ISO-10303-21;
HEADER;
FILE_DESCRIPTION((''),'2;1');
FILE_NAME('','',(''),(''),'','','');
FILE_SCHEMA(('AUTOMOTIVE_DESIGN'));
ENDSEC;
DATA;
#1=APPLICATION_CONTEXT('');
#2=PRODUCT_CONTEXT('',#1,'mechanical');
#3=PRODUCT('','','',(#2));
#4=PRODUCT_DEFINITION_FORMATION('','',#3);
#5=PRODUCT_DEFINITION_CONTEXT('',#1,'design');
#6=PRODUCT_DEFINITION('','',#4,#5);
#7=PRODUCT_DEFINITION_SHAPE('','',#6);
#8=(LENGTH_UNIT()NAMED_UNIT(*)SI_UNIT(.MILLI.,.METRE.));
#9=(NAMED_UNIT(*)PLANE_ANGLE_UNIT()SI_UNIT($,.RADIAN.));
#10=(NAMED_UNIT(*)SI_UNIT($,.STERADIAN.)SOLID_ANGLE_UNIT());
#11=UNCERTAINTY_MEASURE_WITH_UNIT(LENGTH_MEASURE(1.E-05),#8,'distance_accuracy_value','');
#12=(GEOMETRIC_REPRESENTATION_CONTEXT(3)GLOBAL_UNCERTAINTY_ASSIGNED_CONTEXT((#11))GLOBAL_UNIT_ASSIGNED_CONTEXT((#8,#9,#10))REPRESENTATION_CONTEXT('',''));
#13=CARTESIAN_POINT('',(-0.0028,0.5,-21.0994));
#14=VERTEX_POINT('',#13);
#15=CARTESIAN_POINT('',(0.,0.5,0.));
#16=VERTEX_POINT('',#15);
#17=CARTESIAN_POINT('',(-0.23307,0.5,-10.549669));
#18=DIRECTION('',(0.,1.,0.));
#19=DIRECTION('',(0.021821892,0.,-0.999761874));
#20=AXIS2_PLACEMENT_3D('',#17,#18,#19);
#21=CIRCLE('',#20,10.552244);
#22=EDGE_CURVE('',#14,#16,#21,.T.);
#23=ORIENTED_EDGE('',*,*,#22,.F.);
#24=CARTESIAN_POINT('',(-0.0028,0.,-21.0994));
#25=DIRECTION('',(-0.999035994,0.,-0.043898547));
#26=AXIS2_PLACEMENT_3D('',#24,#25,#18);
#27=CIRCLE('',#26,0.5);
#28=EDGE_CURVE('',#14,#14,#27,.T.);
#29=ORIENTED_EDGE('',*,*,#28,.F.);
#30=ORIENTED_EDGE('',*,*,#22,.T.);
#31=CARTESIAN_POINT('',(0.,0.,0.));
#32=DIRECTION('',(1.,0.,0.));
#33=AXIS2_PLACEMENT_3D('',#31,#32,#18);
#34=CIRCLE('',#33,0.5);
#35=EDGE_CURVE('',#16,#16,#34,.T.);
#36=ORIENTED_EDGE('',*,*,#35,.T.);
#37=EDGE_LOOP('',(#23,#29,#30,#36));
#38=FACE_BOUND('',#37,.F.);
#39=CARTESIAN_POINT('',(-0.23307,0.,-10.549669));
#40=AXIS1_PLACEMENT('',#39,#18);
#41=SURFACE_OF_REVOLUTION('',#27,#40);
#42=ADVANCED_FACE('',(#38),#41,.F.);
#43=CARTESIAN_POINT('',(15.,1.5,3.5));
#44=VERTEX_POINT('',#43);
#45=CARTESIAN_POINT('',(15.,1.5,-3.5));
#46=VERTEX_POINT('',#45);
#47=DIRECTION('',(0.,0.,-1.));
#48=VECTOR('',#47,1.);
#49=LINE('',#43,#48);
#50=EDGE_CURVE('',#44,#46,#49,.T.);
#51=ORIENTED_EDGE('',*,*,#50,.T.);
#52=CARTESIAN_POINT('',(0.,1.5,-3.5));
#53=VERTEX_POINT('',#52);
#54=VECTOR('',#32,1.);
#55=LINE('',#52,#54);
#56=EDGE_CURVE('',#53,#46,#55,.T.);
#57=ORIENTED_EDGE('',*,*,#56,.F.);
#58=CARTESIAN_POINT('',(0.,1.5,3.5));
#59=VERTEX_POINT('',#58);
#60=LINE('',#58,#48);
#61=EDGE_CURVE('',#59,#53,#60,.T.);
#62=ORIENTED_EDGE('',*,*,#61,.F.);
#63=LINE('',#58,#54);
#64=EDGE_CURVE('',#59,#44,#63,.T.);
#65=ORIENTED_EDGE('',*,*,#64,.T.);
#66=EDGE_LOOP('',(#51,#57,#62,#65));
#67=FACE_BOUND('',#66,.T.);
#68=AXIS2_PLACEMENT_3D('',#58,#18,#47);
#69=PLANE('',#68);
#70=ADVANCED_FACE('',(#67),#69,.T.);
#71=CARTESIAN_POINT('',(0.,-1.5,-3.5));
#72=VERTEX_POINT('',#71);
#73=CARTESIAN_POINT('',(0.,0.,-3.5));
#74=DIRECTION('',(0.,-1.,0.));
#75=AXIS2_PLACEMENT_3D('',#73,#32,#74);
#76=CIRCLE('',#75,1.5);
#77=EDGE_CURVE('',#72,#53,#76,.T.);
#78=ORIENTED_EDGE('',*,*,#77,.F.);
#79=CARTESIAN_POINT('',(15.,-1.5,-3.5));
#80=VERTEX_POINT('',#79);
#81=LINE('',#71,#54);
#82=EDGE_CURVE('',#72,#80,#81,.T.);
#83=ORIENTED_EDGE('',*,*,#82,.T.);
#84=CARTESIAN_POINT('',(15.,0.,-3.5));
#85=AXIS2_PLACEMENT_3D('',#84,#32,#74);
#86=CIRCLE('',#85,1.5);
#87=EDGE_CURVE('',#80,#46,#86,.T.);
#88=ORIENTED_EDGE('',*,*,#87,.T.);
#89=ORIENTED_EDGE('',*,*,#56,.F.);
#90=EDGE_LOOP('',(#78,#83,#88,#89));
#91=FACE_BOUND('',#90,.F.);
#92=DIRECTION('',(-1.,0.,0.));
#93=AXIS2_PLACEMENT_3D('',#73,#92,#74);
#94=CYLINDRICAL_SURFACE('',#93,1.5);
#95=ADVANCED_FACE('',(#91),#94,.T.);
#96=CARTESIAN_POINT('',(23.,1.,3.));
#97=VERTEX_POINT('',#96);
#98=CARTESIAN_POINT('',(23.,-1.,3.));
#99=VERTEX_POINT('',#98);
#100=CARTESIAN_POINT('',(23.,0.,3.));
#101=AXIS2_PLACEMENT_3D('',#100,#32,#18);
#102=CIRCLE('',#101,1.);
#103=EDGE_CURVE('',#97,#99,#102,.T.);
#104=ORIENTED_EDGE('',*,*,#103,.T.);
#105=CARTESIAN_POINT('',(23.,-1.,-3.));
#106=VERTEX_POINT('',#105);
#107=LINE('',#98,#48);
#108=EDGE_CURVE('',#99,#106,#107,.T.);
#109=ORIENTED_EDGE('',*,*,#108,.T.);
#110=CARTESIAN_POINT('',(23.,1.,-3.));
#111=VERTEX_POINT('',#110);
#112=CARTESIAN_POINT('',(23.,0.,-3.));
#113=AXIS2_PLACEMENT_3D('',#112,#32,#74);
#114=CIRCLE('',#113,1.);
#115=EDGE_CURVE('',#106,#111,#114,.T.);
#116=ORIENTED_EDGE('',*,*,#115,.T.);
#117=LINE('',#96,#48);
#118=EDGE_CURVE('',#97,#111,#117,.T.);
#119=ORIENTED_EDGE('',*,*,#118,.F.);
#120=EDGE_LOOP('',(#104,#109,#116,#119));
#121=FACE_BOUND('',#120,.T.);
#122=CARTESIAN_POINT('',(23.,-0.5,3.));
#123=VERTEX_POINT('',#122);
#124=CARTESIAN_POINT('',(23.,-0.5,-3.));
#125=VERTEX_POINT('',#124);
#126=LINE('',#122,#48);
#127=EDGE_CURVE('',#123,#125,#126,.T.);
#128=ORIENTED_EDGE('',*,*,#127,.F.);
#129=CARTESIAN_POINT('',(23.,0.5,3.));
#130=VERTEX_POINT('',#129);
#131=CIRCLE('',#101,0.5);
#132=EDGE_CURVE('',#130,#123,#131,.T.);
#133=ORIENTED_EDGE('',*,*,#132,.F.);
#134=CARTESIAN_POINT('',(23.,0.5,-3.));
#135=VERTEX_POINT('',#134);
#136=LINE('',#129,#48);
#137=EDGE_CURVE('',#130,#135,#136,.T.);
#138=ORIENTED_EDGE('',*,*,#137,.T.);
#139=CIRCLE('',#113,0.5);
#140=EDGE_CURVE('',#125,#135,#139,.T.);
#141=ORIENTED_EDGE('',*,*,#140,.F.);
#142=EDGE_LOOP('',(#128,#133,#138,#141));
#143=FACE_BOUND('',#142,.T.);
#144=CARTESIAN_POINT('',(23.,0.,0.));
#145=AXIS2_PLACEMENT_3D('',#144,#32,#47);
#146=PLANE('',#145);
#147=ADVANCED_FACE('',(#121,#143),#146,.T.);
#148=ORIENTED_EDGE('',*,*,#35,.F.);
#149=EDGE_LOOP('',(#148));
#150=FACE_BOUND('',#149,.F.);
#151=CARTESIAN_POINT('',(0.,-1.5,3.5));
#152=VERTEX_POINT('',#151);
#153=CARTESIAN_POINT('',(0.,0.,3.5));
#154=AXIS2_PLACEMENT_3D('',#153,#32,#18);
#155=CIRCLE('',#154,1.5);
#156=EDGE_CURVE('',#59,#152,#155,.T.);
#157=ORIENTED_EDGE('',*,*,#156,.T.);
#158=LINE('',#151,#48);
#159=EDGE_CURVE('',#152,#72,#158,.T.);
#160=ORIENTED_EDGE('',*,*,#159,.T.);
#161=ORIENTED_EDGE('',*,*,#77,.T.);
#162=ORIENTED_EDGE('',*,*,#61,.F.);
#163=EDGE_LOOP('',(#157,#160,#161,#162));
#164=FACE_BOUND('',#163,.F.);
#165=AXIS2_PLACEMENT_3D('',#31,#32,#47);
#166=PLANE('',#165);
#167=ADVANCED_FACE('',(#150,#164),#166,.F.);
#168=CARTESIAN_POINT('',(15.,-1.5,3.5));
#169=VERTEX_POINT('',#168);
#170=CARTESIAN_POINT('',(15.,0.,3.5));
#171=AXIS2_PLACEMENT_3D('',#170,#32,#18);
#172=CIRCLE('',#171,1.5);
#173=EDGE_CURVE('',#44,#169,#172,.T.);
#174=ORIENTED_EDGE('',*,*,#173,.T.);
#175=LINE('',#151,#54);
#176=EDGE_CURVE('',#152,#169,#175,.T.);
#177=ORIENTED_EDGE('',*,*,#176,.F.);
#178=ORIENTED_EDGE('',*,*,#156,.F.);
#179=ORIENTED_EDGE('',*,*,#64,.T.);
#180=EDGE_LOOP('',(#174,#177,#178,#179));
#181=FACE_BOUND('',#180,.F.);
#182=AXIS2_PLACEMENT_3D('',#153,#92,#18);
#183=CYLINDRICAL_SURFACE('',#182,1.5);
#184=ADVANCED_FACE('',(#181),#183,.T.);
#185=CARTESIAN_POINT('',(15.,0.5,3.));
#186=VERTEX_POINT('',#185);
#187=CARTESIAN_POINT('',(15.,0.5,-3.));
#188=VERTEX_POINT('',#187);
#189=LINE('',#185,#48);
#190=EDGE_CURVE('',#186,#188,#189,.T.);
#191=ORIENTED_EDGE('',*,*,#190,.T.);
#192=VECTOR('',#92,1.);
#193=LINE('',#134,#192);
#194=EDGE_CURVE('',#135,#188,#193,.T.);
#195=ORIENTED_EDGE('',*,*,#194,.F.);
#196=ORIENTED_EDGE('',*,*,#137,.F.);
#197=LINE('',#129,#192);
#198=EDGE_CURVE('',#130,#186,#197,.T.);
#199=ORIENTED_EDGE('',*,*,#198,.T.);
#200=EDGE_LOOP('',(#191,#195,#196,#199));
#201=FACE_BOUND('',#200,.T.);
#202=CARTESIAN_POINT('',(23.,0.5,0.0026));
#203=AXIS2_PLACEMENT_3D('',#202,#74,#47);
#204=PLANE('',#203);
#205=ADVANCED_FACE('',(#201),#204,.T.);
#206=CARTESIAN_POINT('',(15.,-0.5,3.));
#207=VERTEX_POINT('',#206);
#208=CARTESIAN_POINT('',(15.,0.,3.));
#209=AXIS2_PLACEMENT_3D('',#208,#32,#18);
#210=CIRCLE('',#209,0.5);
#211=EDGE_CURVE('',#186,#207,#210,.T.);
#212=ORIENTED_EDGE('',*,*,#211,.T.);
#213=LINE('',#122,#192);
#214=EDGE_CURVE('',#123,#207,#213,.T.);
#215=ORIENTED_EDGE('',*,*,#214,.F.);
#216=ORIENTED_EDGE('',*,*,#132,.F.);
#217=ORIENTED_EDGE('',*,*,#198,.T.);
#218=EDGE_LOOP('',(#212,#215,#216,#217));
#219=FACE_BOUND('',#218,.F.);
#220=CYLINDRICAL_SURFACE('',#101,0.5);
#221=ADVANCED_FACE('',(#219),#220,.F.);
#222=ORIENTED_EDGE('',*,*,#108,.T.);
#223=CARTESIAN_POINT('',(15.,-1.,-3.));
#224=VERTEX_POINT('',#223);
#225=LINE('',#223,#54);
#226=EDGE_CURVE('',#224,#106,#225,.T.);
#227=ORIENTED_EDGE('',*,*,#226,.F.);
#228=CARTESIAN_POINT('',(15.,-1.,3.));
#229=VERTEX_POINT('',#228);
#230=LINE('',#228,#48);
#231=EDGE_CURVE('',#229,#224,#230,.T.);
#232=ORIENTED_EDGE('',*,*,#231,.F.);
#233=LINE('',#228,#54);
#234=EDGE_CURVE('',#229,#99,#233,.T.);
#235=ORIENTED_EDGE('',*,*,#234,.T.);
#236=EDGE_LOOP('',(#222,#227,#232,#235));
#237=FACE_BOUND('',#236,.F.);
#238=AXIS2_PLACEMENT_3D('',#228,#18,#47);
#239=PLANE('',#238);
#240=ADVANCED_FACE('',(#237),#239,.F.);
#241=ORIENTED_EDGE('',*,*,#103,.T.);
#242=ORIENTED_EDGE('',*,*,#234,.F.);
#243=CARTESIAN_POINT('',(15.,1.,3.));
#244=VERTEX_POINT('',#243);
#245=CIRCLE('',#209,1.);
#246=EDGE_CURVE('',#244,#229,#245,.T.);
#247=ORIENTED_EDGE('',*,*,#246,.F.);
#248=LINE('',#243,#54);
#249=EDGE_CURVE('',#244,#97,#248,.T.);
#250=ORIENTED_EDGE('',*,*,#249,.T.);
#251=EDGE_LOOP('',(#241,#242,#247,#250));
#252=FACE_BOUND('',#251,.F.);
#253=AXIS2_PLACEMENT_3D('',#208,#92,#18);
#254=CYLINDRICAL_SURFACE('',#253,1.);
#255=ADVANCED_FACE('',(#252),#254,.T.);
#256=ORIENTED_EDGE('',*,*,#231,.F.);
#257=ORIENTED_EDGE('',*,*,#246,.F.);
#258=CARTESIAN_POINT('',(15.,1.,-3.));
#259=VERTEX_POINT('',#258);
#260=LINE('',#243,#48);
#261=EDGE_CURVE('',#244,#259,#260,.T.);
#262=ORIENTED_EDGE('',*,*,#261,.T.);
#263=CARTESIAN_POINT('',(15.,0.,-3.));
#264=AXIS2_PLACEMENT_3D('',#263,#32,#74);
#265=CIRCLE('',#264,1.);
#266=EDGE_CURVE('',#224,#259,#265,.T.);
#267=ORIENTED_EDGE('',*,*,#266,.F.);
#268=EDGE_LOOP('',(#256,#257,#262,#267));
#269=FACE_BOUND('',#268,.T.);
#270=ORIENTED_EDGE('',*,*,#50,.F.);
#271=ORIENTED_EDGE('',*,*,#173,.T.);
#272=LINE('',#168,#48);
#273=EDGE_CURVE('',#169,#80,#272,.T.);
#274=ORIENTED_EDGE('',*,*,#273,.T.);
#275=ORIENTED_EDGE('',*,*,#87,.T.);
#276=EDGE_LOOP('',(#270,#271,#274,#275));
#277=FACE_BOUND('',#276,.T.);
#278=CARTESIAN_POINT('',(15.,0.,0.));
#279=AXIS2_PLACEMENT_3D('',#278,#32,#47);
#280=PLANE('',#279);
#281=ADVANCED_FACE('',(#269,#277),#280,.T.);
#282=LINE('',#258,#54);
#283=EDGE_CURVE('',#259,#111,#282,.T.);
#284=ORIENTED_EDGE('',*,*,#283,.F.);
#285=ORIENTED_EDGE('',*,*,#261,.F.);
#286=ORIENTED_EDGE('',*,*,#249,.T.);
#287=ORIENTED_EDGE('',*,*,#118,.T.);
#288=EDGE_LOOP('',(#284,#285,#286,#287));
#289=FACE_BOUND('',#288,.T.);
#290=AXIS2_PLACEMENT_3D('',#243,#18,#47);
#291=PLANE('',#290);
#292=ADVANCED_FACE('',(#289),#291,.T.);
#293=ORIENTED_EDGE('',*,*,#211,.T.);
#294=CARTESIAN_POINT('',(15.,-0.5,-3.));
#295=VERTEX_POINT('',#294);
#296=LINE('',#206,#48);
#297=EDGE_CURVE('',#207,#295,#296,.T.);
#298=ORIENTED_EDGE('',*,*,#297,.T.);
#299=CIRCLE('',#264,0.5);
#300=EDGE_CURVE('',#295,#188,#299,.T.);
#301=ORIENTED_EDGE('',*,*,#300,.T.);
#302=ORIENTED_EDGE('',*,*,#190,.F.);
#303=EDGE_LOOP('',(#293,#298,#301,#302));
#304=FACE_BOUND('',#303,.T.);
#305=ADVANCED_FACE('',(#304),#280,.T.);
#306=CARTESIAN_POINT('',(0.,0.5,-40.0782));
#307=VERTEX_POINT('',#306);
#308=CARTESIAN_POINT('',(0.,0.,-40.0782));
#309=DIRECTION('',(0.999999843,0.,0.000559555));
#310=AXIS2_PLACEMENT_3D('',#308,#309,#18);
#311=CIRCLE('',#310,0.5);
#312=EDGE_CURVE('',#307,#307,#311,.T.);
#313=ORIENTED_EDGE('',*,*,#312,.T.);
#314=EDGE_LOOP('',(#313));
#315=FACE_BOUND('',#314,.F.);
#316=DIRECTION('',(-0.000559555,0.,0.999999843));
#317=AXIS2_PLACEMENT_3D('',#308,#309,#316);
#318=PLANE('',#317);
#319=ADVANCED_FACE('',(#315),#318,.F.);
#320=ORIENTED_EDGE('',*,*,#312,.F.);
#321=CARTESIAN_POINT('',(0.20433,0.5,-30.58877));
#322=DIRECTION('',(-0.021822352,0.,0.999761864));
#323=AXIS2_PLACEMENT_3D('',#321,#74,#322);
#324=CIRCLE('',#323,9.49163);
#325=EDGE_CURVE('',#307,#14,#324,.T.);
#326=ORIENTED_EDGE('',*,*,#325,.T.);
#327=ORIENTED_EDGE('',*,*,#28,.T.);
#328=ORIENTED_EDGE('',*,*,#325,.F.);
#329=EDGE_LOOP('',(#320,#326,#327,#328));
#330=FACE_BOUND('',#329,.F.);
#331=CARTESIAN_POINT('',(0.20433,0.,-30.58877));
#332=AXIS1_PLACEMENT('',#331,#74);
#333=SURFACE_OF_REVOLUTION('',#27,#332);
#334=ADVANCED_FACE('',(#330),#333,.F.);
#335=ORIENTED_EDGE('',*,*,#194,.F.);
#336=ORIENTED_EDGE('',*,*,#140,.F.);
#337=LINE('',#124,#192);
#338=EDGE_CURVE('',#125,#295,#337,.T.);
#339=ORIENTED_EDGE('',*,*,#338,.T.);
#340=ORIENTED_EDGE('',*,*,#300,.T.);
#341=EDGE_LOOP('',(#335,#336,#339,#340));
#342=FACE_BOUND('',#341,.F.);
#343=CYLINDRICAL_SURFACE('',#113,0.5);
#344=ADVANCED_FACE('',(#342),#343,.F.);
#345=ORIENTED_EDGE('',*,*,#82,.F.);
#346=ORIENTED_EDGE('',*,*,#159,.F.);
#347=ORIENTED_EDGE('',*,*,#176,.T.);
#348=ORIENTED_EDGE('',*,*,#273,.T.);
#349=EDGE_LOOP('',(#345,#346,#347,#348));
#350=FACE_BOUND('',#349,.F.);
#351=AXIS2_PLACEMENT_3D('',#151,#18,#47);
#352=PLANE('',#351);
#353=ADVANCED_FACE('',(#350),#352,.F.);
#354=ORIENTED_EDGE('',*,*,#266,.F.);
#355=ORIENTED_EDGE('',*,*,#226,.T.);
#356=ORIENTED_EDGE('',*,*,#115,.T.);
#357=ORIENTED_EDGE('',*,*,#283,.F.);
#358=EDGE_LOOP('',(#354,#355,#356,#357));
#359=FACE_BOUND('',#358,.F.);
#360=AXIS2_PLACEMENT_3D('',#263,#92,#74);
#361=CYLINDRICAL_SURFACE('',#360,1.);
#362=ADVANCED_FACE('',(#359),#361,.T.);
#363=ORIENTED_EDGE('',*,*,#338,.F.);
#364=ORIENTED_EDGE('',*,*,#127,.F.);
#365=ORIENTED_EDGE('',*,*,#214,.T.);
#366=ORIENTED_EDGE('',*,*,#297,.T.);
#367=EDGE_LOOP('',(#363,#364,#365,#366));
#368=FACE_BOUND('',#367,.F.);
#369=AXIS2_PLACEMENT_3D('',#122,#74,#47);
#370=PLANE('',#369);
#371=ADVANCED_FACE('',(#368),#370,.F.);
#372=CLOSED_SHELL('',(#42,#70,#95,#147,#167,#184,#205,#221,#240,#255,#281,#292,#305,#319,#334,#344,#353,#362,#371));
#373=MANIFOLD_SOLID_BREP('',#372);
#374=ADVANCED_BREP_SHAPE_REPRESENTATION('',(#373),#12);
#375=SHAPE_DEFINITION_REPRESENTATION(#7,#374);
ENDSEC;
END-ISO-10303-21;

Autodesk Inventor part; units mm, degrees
ref_plane "YZ Plane" through (0, 0, 0) normal (1, 0, 0) x (0, 1, 0)
ref_plane "XZ Plane" through (0, 0, 0) normal (0, 1, 0) x (-1, 0, 0)
ref_plane "XY Plane" through (0, 0, 0) normal (0, 0, 1) x (1, 0, 0)
sketch "스케치1" plane through (0, 0, 0) normal (0, 1, 0) x (-1, 0, 0)
  arc A0 (0.0028, -21.0994) -> (0, 0) centre (0.2331, -10.5497) ccw
  arc A1 (0.0028, -21.0994) -> (0, -40.0782) centre (-0.2043, -30.5888) ccw
sketch "스케치2" plane through (0, 0, 0) normal (1, 0, 0) x (0, 1, 0)
  circle A0 centre (0, 0) radius 0.5
  dimension "d0" = 1
sweep "스윕1" add profiles "스케치2" path "스케치1"
sketch "스케치3" plane through (0, 0, 0) normal (1, 0, 0) x (0, 0, -1)
  arc A0 (-3.5, 1.5) -> (-3.5, -1.5) centre (-3.5, 0) ccw
  arc A1 (3.5, -1.5) -> (3.5, 1.5) centre (3.5, 0) ccw
  line L0 (-3.5, 1.5) -> (3.5, 1.5)
  line L1 (-3.5, -1.5) -> (3.5, -1.5)
  point P0 (0, 0)
  dimension "d6" = 3
  dimension "d7" = 3
extrude "돌출1" add sketch "스케치3" along normal blind 15
sketch "스케치4" plane through (15, 0, 0) normal (1, 0, 0) x (0, 0, -1)
  arc A0 (-3, 1) -> (-3, -1) centre (-3, 0) ccw
  arc A1 (3, -1) -> (3, 1) centre (3, 0) ccw
  line L0 (-3, 1) -> (3, 1)
  line L1 (-3, -1) -> (3, -1)
  point P0 (0, 0)
extrude "돌출2" add sketch "스케치4" along normal blind 8
sketch "스케치5" plane through (23, 0, 0) normal (1, 0, 0) x (0, 0, -1)
  arc A0 (-3, 0.5) -> (-3, -0.5) centre (-3, 0) ccw
  arc A1 (3, -0.5) -> (3, 0.5) centre (3, 0) ccw
  line L0 (-0.0026, 0.5) -> (21.1019, 0.5) projected
  line L1 (-3, 0.5) -> (3, 0.5)
  line L2 (-3, -0.5) -> (3, -0.5)
  point P0 (0, 0.5)
  point P1 (0, 0)
  point P2 (21.0994, 0.5)
extrude "돌출3" cut sketch "스케치5" against normal blind 8
properties part number "ctype charger"
